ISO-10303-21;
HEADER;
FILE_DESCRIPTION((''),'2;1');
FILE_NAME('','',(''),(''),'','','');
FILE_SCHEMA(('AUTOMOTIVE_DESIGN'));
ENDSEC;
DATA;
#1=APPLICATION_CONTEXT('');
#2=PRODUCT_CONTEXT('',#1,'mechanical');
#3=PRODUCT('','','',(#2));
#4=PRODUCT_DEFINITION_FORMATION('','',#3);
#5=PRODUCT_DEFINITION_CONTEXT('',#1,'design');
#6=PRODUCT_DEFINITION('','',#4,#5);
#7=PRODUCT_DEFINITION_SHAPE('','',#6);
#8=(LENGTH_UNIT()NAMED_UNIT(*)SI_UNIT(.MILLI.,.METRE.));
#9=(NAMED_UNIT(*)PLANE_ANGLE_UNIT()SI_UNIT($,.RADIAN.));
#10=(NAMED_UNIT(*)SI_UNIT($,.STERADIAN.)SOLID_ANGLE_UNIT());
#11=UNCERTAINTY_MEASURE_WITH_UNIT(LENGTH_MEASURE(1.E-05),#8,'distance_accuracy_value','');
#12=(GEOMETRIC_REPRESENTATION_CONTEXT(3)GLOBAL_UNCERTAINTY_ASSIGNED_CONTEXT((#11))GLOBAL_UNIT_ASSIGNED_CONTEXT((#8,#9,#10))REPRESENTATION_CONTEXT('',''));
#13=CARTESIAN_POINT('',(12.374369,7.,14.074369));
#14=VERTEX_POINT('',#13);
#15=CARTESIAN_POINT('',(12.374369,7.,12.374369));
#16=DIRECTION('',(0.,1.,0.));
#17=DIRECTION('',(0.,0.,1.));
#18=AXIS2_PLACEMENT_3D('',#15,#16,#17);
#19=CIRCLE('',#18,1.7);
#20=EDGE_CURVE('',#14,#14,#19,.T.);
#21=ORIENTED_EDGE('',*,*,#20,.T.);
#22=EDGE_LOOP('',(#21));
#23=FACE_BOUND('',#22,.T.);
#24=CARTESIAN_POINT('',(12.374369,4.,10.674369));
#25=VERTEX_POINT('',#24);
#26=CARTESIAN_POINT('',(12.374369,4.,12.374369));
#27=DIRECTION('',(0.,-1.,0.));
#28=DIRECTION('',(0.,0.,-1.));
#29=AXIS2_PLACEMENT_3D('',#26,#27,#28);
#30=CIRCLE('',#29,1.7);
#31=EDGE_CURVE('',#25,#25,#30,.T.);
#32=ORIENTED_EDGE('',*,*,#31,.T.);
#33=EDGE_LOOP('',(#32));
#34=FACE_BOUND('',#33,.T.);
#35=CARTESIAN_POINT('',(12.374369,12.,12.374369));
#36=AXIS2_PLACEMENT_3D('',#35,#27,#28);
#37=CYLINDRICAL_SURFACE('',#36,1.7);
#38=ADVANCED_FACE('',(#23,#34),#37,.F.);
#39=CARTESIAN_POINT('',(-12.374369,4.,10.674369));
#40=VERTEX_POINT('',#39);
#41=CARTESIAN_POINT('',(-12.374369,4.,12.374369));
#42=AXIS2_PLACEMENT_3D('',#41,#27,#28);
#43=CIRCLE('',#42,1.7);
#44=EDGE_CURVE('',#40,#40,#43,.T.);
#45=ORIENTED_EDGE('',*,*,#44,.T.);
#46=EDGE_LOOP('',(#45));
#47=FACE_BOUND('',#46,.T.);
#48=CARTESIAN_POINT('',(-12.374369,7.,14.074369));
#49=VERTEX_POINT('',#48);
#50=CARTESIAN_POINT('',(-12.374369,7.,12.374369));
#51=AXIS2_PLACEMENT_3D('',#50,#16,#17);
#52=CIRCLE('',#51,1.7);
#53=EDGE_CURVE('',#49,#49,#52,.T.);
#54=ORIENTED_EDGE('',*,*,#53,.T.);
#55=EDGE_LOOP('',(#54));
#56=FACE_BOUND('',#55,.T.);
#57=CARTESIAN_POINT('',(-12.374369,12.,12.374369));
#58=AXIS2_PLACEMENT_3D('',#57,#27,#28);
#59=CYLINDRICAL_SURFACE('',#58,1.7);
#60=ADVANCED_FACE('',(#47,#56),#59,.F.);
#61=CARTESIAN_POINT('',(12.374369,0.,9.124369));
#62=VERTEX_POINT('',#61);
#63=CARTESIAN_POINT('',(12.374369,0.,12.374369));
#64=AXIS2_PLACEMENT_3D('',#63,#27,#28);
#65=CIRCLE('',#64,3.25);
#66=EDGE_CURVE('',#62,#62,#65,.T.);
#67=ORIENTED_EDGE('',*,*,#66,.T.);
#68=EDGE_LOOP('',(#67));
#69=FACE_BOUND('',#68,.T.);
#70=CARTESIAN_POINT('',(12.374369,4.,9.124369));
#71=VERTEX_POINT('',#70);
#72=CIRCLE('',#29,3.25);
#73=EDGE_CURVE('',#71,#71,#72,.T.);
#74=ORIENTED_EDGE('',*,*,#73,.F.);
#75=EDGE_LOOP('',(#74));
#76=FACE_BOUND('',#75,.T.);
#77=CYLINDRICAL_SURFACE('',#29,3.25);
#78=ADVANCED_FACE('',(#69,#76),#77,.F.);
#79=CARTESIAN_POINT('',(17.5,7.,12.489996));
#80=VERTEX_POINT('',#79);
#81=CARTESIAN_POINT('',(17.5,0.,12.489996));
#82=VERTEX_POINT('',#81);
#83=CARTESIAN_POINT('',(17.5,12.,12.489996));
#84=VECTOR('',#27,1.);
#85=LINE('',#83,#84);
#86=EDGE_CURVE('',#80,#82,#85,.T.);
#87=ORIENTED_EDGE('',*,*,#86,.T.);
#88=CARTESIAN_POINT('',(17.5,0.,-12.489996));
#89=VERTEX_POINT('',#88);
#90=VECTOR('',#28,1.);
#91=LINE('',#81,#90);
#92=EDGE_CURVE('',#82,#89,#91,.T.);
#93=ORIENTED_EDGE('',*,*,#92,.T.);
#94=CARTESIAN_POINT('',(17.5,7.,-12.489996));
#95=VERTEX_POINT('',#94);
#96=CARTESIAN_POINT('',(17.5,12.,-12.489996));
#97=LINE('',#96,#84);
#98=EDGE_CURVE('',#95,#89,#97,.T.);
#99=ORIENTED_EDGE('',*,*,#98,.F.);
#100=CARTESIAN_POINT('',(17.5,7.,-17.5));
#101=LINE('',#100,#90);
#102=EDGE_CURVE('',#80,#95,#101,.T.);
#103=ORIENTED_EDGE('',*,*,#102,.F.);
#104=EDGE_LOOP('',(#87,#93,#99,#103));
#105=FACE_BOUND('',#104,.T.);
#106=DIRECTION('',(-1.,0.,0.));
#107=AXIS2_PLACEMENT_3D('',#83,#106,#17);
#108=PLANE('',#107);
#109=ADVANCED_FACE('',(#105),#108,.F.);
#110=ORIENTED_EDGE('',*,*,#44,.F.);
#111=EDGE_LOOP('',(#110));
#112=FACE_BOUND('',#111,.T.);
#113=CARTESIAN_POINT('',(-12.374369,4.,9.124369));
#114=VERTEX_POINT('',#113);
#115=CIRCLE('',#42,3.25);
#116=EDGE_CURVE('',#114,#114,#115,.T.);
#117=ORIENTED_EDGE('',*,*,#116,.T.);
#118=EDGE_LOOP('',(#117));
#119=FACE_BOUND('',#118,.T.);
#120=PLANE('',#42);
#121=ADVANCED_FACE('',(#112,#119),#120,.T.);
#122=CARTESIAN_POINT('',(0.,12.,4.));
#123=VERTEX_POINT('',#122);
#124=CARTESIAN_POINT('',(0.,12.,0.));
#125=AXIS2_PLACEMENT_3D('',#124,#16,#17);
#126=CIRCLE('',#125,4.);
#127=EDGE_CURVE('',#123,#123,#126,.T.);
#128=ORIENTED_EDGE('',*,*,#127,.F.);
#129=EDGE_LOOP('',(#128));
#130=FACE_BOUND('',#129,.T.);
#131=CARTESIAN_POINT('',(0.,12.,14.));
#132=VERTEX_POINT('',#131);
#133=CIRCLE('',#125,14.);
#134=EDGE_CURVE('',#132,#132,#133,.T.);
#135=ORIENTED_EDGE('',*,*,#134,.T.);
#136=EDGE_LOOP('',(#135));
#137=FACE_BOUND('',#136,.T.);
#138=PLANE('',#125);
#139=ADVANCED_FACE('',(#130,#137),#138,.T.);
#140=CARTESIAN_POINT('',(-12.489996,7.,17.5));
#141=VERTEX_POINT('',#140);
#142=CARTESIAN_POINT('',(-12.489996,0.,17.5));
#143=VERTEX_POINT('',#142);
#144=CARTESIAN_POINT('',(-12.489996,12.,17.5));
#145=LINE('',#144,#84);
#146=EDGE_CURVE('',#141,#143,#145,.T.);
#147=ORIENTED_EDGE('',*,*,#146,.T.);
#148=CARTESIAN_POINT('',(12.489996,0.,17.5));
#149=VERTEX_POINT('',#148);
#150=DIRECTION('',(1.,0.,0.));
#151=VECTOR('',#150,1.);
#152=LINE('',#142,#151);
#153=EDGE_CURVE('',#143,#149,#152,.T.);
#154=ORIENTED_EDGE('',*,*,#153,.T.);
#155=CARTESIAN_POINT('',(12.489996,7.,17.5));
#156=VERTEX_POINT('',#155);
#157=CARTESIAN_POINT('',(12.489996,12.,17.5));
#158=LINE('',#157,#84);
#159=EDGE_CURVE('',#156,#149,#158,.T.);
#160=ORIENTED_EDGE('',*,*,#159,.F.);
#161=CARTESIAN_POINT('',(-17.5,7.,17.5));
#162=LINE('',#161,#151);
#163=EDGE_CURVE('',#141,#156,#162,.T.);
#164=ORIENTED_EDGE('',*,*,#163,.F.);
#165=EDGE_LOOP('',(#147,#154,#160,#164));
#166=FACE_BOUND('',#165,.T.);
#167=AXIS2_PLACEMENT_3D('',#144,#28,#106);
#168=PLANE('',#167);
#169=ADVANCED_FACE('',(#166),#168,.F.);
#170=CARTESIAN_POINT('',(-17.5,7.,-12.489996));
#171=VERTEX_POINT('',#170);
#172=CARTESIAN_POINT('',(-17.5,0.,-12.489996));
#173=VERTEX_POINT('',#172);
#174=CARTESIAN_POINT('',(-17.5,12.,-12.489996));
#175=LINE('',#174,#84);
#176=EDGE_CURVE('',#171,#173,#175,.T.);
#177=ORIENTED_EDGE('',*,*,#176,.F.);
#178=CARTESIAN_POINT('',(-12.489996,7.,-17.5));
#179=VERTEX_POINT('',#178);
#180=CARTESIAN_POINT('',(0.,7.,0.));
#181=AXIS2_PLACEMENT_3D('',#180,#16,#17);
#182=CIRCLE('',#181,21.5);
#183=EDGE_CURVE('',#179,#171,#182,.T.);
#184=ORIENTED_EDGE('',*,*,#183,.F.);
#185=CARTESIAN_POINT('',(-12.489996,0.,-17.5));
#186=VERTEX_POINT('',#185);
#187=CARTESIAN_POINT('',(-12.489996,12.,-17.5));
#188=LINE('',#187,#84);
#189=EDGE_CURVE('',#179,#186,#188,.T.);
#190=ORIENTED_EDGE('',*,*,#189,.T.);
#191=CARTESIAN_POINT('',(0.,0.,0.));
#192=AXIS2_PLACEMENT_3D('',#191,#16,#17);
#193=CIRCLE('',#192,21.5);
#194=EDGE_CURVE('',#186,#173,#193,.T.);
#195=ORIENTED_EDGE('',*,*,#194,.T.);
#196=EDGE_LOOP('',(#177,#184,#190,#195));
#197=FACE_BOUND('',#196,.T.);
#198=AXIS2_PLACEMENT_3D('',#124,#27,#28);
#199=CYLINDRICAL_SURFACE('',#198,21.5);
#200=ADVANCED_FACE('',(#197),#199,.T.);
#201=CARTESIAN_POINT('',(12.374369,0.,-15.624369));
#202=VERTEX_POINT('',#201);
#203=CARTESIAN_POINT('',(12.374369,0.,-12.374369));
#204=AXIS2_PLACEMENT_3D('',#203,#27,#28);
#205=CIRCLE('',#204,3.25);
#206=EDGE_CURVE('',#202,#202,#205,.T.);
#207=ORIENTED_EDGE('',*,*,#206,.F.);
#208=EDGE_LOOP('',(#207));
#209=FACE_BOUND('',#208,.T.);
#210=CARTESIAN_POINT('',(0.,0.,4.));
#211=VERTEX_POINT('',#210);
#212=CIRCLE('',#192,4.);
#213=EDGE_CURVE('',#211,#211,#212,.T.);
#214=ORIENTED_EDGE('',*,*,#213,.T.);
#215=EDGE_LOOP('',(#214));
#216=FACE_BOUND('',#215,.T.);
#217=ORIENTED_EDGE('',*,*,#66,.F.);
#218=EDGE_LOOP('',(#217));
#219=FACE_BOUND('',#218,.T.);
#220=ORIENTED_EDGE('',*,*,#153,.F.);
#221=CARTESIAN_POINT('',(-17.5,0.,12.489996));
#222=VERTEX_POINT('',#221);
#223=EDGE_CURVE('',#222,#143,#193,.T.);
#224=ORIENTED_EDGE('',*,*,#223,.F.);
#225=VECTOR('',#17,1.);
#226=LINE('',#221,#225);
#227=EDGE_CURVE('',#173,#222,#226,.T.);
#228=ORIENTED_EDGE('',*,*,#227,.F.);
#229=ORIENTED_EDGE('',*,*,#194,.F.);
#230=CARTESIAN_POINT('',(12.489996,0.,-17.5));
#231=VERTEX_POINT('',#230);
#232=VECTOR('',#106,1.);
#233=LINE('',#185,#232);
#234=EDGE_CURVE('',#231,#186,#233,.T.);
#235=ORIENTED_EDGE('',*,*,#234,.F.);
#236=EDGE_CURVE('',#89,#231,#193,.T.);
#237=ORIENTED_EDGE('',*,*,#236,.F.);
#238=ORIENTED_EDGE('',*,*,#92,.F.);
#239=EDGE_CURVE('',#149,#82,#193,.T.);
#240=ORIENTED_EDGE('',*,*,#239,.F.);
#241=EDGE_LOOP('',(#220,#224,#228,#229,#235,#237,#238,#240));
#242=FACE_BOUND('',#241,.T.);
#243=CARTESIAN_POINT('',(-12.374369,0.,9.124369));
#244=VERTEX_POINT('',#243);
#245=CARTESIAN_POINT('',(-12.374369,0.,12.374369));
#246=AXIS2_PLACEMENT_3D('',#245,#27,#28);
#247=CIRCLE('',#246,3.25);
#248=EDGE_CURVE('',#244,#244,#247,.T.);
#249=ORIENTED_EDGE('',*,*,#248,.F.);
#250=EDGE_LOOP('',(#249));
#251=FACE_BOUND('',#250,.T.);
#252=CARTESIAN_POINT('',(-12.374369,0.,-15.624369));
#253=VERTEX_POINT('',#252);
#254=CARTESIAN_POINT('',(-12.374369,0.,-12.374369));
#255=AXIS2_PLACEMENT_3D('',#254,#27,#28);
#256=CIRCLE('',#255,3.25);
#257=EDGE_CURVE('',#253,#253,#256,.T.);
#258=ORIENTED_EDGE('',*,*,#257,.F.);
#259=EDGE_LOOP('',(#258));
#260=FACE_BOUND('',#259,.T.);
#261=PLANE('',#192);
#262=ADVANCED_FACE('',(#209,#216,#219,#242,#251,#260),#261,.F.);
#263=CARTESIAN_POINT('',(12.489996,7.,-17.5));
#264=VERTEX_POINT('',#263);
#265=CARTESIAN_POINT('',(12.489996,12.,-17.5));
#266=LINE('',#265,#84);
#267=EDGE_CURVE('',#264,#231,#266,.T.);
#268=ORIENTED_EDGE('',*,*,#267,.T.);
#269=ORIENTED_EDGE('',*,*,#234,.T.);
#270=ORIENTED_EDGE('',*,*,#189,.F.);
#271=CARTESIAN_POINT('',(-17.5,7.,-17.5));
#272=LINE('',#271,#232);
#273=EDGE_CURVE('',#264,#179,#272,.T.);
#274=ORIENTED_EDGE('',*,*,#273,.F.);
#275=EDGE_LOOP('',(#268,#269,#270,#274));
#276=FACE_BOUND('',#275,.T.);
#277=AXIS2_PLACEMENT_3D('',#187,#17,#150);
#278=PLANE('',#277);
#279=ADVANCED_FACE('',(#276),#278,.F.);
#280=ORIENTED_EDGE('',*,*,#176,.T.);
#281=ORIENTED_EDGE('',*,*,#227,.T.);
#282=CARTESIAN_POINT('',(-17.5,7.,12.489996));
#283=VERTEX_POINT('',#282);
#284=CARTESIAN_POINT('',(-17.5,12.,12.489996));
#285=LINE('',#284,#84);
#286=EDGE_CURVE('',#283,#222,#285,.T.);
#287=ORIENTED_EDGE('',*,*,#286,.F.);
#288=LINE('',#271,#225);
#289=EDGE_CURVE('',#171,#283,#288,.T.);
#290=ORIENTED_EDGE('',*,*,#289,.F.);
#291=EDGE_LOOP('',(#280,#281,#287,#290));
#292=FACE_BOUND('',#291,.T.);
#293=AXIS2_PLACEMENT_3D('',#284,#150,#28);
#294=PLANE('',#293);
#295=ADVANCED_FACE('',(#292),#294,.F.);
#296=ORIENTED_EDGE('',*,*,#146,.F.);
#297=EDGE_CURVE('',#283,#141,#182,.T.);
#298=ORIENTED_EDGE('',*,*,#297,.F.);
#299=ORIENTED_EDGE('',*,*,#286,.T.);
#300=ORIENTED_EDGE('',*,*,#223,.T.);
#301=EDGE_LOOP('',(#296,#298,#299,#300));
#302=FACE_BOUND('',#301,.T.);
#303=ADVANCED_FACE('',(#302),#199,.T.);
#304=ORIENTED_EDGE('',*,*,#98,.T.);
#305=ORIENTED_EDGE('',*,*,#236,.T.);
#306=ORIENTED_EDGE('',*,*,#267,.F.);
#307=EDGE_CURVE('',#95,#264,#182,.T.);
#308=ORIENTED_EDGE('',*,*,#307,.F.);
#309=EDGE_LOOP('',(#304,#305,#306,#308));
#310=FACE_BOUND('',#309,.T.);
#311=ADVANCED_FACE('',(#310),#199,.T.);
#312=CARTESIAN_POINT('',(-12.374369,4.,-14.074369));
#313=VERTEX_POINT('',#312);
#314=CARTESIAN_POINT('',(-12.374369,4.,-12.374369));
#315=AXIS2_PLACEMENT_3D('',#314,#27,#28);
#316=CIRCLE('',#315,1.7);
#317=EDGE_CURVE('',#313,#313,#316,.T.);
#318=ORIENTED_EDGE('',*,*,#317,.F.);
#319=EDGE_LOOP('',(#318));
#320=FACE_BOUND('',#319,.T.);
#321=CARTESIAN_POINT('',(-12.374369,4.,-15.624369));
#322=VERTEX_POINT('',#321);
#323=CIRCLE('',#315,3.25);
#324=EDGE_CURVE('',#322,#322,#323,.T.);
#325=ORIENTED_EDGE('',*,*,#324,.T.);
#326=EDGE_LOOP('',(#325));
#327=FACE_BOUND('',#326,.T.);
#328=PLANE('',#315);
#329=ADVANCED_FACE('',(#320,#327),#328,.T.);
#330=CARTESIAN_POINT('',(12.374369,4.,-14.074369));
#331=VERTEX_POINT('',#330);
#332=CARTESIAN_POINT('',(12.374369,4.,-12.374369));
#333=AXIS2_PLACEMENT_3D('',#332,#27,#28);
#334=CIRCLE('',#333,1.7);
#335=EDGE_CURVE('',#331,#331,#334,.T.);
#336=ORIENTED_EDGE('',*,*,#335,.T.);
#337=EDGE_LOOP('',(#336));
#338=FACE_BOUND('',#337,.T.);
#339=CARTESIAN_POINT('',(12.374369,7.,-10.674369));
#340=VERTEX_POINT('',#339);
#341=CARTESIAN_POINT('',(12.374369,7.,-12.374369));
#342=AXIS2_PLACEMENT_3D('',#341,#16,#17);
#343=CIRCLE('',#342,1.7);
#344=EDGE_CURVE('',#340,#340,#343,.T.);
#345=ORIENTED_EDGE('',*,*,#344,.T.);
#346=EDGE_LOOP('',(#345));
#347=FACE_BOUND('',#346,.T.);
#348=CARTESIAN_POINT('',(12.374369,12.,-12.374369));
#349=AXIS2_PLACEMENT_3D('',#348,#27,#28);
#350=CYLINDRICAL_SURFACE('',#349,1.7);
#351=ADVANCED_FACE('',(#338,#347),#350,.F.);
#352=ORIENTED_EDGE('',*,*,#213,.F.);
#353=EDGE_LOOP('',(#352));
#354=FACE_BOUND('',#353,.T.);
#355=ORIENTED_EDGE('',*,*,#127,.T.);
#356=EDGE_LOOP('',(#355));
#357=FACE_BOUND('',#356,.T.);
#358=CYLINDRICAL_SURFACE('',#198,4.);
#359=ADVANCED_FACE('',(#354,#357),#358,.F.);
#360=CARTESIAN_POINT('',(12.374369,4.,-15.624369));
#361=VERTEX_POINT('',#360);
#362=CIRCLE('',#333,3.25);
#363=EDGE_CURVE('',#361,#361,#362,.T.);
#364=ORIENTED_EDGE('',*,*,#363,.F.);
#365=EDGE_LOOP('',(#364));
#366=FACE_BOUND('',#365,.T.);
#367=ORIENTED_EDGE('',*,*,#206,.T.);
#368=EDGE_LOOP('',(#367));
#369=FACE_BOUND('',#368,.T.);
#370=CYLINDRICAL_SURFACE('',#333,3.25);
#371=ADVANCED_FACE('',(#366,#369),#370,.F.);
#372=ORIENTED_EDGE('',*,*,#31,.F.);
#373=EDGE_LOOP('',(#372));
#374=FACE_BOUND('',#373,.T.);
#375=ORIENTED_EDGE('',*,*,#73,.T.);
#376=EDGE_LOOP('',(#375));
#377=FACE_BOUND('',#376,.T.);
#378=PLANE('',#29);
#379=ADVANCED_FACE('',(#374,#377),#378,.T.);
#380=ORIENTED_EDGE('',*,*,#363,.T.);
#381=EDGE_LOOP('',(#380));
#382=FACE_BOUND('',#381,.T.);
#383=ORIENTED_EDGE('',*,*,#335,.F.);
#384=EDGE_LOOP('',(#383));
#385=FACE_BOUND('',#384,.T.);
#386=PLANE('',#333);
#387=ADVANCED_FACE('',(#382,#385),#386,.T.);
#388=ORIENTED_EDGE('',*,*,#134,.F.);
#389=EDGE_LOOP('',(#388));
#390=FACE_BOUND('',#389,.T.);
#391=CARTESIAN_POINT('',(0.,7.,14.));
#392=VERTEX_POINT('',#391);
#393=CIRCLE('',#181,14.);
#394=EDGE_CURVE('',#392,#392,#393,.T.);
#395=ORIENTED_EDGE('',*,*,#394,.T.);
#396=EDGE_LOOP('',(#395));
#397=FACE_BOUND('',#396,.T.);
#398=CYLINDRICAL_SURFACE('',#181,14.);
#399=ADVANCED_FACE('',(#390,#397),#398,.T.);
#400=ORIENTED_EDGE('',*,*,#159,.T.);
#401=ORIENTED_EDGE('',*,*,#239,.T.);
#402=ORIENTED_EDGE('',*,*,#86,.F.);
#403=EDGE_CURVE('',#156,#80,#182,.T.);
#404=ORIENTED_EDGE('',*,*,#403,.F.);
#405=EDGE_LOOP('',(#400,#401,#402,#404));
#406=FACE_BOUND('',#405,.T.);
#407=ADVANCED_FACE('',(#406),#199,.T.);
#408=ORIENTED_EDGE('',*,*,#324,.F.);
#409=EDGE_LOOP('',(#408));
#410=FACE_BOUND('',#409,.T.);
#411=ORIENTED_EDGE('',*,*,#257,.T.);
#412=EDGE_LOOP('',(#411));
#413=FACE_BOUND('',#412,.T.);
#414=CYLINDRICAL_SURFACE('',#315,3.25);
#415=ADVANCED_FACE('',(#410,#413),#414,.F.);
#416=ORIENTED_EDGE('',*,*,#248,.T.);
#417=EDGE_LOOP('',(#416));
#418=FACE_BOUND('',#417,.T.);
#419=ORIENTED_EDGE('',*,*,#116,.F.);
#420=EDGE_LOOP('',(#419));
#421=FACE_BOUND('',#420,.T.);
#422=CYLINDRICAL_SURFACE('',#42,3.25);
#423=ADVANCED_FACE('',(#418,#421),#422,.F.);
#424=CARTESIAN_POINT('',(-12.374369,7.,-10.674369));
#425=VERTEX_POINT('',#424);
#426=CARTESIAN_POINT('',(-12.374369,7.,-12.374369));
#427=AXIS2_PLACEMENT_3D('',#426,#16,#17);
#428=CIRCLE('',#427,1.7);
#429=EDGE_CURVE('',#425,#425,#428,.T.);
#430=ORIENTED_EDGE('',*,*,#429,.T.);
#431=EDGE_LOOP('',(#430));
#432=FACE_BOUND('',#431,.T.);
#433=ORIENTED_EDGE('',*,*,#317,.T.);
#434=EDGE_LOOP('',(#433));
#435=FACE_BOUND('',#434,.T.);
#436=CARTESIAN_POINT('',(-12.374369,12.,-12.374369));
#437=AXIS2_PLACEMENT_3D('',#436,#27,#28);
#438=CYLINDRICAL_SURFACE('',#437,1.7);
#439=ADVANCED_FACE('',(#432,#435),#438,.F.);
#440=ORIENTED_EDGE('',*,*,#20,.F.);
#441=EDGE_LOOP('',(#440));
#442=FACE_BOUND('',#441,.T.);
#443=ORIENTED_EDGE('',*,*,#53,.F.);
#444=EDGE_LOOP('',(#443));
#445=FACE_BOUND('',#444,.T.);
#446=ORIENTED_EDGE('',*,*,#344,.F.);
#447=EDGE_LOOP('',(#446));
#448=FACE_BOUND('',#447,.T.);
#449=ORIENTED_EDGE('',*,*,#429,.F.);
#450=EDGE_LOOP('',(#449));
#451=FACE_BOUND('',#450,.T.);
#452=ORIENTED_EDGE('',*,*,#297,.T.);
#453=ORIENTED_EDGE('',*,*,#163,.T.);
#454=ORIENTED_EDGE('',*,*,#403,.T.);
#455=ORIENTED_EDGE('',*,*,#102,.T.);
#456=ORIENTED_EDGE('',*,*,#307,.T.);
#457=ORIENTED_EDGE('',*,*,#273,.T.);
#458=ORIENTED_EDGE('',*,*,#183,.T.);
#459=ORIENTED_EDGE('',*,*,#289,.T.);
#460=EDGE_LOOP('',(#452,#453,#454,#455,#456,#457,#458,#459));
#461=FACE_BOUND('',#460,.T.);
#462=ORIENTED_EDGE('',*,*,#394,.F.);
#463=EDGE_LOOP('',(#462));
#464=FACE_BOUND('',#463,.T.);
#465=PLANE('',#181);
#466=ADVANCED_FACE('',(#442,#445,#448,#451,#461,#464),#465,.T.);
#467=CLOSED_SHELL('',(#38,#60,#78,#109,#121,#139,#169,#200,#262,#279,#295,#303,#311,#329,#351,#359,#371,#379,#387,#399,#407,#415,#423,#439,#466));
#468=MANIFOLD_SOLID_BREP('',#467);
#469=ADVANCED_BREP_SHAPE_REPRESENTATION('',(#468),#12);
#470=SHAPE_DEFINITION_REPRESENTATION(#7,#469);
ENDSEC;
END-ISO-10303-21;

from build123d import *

# Parameters (mm, degrees)
SKETCH_5_R          = 4
SKETCH_5_R_2        = 1.7
EXTRUDE_2_DEPTH     = 12
SKETCH_7_W          = 35
SKETCH_7_H          = 35
SKETCH_7_R          = 14
CUT_EXTRUDE_4_DEPTH = 5
SKETCH_8_R          = 3.25
CUT_EXTRUDE_5_DEPTH = 4


with BuildPart() as part:
    # Эскиз5 → Бобышка-Вытянуть2 (new body)
    with BuildSketch(Plane(origin=(0, 0, 0), x_dir=(1, 0, 0), z_dir=(0, 1, 0))):
        with BuildLine():
            Line((-12.489995997, -17.5), (12.489995997, -17.5))
            ThreePointArc((12.489995997, -17.5), (15.202795796, -15.202795796), (17.5, -12.489995997))
            Line((17.5, -12.489995997), (17.5, 12.489995997))
            ThreePointArc((17.5, 12.489995997), (15.202795796, 15.202795796), (12.489995997, 17.5))
            Line((12.489995997, 17.5), (-12.489995997, 17.5))
            ThreePointArc((-12.489995997, 17.5), (-15.202795796, 15.202795796), (-17.5, 12.489995997))
            Line((-17.5, 12.489995997), (-17.5, -12.489995997))
            ThreePointArc((-17.5, -12.489995997), (-15.202795796, -15.202795796), (-12.489995997, -17.5))
        make_face()
        Circle(SKETCH_5_R, mode=Mode.SUBTRACT)
        with Locations((-12.374368671, 12.374368671)):
            Circle(SKETCH_5_R_2, mode=Mode.SUBTRACT)
        with Locations((12.374368671, 12.374368671)):
            Circle(SKETCH_5_R_2, mode=Mode.SUBTRACT)
        with Locations((12.374368671, -12.374368671)):
            Circle(SKETCH_5_R_2, mode=Mode.SUBTRACT)
        with Locations((-12.374368671, -12.374368671)):
            Circle(SKETCH_5_R_2, mode=Mode.SUBTRACT)
    extrude(amount=EXTRUDE_2_DEPTH)

    # Эскиз7 → Вырез-Вытянуть4 (cut)
    with BuildSketch(Plane(origin=(0, 12, 0), x_dir=(1, 0, 0), z_dir=(0, 1, 0))):
        Rectangle(SKETCH_7_W, SKETCH_7_H)
        Circle(SKETCH_7_R, mode=Mode.SUBTRACT)
    extrude(amount=-CUT_EXTRUDE_4_DEPTH, mode=Mode.SUBTRACT)

    # Эскиз8 → Вырез-Вытянуть5 (cut)
    with BuildSketch(Plane.XZ):
        with Locations((-12.374368671, 12.374368671)):
            Circle(SKETCH_8_R)
        with Locations((12.374368671, 12.374368671)):
            Circle(SKETCH_8_R)
        with Locations((12.374368671, -12.374368671)):
            Circle(SKETCH_8_R)
        with Locations((-12.374368671, -12.374368671)):
            Circle(SKETCH_8_R)
    extrude(amount=-CUT_EXTRUDE_5_DEPTH, mode=Mode.SUBTRACT)


solid = part.part
